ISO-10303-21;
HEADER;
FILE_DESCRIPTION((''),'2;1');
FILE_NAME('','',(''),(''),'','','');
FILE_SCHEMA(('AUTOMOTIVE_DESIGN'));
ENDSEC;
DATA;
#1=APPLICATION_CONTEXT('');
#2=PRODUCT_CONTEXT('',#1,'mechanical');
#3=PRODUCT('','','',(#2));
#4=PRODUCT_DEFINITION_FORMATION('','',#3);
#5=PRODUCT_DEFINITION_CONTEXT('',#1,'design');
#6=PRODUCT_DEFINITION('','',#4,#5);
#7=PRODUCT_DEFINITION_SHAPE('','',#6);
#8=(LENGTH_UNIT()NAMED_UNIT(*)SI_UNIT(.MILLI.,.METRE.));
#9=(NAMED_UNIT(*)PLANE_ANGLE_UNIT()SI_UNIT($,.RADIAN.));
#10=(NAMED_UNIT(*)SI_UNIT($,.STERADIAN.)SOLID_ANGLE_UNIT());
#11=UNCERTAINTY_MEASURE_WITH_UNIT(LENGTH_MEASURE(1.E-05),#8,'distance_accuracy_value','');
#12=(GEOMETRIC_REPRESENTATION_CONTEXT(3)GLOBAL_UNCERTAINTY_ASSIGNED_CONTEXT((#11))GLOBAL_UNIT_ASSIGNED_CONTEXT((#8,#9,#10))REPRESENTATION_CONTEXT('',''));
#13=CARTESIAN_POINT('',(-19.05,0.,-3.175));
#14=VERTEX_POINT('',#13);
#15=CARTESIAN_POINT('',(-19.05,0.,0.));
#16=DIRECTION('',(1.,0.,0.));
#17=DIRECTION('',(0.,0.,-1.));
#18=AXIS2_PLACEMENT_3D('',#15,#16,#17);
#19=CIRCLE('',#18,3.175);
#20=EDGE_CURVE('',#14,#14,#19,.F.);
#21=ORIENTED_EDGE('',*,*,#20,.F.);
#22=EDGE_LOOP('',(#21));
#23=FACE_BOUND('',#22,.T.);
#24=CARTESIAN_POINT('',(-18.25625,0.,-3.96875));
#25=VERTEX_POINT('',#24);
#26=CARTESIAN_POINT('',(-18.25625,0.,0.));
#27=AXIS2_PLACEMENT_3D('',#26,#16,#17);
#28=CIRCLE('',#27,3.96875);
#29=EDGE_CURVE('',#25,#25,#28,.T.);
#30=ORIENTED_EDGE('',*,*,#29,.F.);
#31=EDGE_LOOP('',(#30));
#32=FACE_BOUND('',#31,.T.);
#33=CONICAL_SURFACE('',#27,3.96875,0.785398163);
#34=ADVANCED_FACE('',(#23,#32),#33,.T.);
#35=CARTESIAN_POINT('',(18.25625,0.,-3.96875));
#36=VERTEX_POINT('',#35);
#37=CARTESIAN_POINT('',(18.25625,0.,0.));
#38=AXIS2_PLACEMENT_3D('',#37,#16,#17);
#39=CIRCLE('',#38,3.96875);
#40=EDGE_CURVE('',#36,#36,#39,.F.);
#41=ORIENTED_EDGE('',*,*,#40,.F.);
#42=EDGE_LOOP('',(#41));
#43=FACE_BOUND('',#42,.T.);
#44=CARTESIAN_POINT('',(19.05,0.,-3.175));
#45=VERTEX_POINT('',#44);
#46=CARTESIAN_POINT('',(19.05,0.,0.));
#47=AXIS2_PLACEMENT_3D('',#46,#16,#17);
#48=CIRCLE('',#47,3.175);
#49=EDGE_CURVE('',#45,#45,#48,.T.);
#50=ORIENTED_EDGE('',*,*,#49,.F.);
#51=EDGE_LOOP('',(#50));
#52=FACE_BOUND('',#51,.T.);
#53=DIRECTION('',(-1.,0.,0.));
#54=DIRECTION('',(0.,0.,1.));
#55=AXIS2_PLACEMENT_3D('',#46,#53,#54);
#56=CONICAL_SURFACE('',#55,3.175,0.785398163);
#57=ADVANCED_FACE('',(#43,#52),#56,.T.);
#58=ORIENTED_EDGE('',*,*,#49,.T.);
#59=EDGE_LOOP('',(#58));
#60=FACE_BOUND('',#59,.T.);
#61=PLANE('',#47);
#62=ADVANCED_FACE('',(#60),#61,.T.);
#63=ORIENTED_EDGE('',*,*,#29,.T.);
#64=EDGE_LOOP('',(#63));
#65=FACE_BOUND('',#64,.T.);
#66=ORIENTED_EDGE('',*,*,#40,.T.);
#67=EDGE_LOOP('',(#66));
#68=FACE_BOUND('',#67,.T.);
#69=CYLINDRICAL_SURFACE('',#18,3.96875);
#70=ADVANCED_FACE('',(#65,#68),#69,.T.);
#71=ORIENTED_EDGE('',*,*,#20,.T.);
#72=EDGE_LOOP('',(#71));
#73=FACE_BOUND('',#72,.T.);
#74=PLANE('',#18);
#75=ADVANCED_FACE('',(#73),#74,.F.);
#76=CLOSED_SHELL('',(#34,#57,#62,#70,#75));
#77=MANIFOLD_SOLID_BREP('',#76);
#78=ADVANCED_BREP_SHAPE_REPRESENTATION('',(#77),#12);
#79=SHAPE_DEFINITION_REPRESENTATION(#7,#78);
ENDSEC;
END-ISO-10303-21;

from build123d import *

# Parameters (mm, degrees)
SKETCH2_R           = 3.96875
EXTRUDE1_DEPTH      = 19.05
EXTRUDE1_DEPTH_BACK = 19.05
CHAMFER1_SIZE       = 0.79375


with BuildPart() as part:
    # Sketch2 → Extrude1 (new body, two sides)
    with BuildSketch(Plane(origin=(0, 0, 0), x_dir=(0, 0, -1), z_dir=(1, 0, 0))) as extrude1_sk:
        Circle(SKETCH2_R)
    extrude(amount=EXTRUDE1_DEPTH)
    extrude(extrude1_sk.sketch, amount=-EXTRUDE1_DEPTH_BACK)

    # Chamfer1
    chamfer1_edges = [part.edges().sort_by_distance(p)[0] for p in [
        (-19.05, 0, 3.96875),
        (19.05, 0, 3.96875),
    ]]
    chamfer(chamfer1_edges, length=CHAMFER1_SIZE)


solid = part.part
